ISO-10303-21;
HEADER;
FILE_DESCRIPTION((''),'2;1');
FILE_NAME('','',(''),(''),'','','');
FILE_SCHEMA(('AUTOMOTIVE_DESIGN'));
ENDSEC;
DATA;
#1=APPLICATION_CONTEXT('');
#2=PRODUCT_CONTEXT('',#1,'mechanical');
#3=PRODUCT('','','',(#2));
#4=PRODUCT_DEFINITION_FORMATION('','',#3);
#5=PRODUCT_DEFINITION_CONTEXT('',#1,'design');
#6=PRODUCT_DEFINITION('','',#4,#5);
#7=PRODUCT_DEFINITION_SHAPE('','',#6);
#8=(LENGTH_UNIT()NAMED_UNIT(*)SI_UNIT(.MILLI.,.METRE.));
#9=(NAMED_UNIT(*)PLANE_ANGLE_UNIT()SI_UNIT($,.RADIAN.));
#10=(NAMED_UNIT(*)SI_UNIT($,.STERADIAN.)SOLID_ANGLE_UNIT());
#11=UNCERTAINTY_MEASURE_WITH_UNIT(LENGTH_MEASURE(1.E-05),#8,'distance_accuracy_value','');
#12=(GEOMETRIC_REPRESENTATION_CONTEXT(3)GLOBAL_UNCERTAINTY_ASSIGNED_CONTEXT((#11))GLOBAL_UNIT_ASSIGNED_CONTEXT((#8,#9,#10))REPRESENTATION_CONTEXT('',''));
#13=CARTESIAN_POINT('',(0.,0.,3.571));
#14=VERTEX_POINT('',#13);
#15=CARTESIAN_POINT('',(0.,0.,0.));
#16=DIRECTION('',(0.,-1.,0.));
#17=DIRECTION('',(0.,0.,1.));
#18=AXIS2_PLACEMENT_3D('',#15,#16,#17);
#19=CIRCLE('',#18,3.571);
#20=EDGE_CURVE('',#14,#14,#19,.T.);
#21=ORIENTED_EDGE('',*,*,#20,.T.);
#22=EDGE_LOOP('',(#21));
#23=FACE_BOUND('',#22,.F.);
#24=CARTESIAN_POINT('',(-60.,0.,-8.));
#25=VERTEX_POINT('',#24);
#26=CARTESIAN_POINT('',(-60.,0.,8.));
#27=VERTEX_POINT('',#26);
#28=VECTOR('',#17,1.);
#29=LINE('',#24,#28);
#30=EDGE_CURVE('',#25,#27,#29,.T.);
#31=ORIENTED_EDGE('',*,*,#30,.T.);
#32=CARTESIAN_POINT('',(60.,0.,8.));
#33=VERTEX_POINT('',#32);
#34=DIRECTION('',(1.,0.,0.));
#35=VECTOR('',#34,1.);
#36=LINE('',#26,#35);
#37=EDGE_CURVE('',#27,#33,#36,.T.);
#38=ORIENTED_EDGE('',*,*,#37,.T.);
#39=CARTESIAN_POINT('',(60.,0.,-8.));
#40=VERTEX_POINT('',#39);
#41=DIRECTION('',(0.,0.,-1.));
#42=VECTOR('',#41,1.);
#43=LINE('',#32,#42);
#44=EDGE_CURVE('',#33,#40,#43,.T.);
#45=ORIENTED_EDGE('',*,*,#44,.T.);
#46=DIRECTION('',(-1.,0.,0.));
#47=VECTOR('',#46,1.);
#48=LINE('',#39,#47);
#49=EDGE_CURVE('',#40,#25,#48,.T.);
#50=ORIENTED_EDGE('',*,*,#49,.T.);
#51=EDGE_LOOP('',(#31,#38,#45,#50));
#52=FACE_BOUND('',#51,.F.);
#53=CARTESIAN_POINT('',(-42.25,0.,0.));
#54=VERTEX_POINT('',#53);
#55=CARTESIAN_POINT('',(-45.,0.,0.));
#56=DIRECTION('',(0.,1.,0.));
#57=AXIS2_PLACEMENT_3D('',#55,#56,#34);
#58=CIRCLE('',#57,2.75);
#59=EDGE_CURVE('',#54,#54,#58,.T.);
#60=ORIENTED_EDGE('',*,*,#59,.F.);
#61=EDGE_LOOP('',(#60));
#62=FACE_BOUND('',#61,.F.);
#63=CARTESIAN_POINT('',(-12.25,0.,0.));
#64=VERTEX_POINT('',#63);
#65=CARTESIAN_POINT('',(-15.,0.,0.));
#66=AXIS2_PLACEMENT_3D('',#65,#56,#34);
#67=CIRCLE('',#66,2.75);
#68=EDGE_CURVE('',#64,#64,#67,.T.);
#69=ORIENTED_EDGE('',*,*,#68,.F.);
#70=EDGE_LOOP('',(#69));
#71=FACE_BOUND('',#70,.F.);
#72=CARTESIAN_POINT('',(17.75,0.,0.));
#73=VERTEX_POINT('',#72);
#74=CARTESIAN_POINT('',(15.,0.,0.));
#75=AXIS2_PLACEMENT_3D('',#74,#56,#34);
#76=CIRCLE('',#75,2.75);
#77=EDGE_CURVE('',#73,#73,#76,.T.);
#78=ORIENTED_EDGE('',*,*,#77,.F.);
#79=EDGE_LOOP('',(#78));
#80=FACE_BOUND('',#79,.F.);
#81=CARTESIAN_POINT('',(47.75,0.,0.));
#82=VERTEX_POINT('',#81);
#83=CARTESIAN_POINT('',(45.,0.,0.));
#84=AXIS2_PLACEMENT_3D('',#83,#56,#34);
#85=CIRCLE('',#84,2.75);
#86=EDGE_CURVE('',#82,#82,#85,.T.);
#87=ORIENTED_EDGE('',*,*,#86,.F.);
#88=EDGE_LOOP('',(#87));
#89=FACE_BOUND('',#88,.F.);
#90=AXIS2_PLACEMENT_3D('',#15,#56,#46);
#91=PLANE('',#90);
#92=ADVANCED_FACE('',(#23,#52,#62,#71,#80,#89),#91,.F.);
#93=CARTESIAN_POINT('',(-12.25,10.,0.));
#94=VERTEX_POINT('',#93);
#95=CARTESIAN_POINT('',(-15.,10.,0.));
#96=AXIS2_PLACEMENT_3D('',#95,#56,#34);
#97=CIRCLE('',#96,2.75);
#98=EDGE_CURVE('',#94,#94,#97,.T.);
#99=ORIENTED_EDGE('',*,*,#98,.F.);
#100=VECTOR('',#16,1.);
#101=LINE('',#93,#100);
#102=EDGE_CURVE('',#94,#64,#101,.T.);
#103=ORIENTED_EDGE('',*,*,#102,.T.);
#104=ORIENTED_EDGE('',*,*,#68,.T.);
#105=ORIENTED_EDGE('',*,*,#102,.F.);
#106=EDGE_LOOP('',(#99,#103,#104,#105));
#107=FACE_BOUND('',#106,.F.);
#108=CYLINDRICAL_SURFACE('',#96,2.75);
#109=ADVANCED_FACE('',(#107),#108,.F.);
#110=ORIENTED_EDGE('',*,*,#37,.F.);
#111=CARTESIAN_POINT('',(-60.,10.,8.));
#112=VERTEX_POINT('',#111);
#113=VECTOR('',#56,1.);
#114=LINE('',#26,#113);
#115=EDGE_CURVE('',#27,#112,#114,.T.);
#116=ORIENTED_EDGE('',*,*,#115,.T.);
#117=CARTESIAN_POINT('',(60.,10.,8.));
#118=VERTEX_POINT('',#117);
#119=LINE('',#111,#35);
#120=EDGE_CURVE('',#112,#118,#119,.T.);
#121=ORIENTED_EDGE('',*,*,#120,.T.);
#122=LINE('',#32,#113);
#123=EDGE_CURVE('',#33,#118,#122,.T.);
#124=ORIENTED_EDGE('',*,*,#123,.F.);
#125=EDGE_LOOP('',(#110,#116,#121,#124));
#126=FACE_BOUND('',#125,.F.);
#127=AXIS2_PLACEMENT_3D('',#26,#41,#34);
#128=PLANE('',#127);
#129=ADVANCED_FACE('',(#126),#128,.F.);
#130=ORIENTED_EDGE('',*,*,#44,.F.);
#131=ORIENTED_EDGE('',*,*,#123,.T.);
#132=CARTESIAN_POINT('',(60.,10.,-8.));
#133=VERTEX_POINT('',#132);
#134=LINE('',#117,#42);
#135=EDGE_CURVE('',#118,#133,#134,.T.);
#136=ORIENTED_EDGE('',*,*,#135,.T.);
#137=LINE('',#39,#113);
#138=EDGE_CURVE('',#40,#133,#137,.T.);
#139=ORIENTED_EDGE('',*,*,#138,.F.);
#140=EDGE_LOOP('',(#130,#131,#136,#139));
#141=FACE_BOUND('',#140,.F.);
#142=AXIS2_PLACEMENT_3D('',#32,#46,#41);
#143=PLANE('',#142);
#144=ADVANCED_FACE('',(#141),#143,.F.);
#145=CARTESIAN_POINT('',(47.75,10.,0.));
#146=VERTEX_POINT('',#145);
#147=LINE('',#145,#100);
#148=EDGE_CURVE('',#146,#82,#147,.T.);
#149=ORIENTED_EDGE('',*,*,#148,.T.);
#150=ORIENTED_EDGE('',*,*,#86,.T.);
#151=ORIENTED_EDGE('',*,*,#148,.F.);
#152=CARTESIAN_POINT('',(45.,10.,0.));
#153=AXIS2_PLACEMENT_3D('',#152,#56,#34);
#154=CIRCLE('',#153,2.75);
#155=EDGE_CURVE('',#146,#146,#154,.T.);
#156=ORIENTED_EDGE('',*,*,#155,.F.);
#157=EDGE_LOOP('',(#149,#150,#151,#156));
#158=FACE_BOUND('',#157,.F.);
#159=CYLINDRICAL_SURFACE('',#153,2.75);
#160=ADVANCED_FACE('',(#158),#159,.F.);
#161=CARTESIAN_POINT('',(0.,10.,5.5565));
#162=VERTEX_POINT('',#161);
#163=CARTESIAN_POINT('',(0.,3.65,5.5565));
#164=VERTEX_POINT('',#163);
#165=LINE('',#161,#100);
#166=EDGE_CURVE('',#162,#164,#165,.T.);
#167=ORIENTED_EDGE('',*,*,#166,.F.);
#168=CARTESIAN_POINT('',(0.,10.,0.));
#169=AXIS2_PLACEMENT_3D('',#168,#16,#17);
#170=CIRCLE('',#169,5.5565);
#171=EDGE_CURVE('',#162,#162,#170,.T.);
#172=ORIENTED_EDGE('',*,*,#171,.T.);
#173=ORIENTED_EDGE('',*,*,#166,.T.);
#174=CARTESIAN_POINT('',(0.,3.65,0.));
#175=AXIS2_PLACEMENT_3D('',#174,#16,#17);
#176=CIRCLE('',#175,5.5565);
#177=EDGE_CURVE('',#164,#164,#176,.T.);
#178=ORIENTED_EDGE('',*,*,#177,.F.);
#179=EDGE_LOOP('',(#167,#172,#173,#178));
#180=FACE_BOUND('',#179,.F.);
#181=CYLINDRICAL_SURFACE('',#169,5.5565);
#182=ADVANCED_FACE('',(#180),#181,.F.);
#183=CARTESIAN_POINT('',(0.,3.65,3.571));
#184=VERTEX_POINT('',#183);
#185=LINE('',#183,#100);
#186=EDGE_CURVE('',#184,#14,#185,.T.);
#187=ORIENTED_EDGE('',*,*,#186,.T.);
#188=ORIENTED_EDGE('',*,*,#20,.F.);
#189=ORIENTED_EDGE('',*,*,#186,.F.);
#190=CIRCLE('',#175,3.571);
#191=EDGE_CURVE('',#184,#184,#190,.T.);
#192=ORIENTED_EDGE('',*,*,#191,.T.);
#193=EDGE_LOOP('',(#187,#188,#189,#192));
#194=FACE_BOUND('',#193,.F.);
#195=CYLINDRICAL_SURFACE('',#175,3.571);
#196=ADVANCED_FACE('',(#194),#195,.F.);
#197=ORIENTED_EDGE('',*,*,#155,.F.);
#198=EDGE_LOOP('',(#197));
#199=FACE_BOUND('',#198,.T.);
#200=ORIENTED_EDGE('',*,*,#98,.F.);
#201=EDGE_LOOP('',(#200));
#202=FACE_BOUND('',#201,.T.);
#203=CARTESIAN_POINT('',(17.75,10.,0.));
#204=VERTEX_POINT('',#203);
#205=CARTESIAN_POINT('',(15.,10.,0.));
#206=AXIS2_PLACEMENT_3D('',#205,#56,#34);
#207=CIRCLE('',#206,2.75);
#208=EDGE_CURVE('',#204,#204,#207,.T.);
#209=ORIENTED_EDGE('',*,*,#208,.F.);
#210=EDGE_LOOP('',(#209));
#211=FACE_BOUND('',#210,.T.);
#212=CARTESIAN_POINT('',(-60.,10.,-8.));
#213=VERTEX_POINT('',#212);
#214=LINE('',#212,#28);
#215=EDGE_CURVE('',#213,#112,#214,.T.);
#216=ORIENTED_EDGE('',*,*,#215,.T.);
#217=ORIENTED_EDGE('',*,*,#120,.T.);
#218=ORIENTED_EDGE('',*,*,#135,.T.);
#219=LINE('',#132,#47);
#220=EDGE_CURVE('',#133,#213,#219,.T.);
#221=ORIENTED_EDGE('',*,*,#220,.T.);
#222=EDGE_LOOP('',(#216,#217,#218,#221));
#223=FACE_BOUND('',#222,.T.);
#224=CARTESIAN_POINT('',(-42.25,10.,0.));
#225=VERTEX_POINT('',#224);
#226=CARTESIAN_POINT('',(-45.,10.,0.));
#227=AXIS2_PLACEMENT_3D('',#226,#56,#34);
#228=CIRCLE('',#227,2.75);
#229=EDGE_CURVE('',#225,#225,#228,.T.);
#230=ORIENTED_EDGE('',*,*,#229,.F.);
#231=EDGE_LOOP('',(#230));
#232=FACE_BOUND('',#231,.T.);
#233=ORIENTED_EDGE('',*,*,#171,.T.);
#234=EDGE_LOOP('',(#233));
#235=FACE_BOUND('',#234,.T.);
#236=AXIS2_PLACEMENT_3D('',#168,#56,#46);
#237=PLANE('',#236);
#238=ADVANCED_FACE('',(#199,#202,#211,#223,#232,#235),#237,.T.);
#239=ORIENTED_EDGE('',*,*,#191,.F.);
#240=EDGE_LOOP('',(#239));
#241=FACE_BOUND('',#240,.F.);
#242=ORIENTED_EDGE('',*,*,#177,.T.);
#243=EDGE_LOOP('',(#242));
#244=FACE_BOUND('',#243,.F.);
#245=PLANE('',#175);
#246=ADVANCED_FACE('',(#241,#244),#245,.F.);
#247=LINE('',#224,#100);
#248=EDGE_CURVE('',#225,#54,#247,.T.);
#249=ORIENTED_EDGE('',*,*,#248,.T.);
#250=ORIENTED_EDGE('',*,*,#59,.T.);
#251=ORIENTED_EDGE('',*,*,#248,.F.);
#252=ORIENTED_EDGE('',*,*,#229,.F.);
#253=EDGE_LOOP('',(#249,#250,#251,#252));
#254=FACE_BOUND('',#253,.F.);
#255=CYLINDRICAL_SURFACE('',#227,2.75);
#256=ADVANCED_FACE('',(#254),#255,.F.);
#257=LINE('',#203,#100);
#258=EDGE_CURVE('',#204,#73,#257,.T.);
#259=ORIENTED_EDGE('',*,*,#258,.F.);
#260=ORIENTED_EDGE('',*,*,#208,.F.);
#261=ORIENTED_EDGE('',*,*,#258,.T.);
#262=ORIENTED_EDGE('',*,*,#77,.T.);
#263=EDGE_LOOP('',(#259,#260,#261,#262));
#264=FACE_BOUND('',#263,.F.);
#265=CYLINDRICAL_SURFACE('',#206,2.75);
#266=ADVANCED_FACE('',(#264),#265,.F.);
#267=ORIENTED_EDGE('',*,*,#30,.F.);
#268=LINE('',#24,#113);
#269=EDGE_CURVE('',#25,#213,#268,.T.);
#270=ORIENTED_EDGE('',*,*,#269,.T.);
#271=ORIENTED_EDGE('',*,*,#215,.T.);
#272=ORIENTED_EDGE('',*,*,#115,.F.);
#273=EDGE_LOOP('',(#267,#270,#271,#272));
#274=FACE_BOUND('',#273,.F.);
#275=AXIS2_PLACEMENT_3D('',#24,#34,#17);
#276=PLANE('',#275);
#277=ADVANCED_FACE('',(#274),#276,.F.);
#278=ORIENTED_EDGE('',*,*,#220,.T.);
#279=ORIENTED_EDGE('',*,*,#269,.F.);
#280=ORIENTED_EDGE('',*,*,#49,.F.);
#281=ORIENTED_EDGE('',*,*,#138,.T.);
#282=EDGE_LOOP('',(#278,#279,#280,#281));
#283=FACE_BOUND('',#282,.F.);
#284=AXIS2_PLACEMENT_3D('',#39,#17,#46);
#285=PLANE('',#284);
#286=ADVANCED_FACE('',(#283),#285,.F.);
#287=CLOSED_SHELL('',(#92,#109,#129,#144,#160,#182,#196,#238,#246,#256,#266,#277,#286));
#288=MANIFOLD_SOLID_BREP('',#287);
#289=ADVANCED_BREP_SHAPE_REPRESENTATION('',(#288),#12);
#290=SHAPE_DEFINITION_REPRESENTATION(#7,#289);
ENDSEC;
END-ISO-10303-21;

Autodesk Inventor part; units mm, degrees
ref_plane "YZ Plane" through (0, 0, 0) normal (1, 0, 0) x (0, 1, 0)
ref_plane "XZ Plane" through (0, 0, 0) normal (0, 1, 0) x (-1, 0, 0)
ref_plane "XY Plane" through (0, 0, 0) normal (0, 0, 1) x (1, 0, 0)
sketch "Sketch1" plane through (0, 0, 0) normal (0, 1, 0) x (-1, 0, 0)
  line L0 (60, 8) -> (-60, 8)
  line L1 (-60, 8) -> (-60, -8)
  line L2 (-60, -8) -> (60, -8)
  line L3 (60, -8) -> (60, 8)
  line L4 (60, 8) -> (-60, -8) construction
  line L5 (-60, 8) -> (60, -8) construction
  point P0 (0, 0)
  dimension "d0" = 16
  dimension "d1" = 120
extrude "Extrusion1" add sketch "Sketch1" along normal blind 10
hole "Hole1" at (0, 10, 0) direction (0, -1, 0) diameter 7.142 depth 25.4 counterbore diameter 11.113 counterbore depth 6.35 clearance for "Socket Head Cap Screw" size "1/4" standard "Ansi Unified Screw Threads"
sketch "Sketch2" plane through (0, 10, 0) normal (0, 1, 0) x (1, 0, 0)
  circle A0 centre (15, 0) radius 2.75
  circle A1 centre (45, 0) radius 2.75
  circle A2 centre (-15, 0) radius 2.75
  circle A3 centre (-45, 0) radius 2.75
  point P0 (0, 0)
  dimension "d15" = 5.5
  dimension "d16" = 15
  dimension "d17" = 30
  dimension "d18" = 5.5
  dimension "d19" = 15
  dimension "d20" = 5.5
  dimension "d21" = 30
  dimension "d22" = 5.5
extrude "Extrusion2" cut sketch "Sketch2" against normal up to next
properties part number "flowmeter_mount"
